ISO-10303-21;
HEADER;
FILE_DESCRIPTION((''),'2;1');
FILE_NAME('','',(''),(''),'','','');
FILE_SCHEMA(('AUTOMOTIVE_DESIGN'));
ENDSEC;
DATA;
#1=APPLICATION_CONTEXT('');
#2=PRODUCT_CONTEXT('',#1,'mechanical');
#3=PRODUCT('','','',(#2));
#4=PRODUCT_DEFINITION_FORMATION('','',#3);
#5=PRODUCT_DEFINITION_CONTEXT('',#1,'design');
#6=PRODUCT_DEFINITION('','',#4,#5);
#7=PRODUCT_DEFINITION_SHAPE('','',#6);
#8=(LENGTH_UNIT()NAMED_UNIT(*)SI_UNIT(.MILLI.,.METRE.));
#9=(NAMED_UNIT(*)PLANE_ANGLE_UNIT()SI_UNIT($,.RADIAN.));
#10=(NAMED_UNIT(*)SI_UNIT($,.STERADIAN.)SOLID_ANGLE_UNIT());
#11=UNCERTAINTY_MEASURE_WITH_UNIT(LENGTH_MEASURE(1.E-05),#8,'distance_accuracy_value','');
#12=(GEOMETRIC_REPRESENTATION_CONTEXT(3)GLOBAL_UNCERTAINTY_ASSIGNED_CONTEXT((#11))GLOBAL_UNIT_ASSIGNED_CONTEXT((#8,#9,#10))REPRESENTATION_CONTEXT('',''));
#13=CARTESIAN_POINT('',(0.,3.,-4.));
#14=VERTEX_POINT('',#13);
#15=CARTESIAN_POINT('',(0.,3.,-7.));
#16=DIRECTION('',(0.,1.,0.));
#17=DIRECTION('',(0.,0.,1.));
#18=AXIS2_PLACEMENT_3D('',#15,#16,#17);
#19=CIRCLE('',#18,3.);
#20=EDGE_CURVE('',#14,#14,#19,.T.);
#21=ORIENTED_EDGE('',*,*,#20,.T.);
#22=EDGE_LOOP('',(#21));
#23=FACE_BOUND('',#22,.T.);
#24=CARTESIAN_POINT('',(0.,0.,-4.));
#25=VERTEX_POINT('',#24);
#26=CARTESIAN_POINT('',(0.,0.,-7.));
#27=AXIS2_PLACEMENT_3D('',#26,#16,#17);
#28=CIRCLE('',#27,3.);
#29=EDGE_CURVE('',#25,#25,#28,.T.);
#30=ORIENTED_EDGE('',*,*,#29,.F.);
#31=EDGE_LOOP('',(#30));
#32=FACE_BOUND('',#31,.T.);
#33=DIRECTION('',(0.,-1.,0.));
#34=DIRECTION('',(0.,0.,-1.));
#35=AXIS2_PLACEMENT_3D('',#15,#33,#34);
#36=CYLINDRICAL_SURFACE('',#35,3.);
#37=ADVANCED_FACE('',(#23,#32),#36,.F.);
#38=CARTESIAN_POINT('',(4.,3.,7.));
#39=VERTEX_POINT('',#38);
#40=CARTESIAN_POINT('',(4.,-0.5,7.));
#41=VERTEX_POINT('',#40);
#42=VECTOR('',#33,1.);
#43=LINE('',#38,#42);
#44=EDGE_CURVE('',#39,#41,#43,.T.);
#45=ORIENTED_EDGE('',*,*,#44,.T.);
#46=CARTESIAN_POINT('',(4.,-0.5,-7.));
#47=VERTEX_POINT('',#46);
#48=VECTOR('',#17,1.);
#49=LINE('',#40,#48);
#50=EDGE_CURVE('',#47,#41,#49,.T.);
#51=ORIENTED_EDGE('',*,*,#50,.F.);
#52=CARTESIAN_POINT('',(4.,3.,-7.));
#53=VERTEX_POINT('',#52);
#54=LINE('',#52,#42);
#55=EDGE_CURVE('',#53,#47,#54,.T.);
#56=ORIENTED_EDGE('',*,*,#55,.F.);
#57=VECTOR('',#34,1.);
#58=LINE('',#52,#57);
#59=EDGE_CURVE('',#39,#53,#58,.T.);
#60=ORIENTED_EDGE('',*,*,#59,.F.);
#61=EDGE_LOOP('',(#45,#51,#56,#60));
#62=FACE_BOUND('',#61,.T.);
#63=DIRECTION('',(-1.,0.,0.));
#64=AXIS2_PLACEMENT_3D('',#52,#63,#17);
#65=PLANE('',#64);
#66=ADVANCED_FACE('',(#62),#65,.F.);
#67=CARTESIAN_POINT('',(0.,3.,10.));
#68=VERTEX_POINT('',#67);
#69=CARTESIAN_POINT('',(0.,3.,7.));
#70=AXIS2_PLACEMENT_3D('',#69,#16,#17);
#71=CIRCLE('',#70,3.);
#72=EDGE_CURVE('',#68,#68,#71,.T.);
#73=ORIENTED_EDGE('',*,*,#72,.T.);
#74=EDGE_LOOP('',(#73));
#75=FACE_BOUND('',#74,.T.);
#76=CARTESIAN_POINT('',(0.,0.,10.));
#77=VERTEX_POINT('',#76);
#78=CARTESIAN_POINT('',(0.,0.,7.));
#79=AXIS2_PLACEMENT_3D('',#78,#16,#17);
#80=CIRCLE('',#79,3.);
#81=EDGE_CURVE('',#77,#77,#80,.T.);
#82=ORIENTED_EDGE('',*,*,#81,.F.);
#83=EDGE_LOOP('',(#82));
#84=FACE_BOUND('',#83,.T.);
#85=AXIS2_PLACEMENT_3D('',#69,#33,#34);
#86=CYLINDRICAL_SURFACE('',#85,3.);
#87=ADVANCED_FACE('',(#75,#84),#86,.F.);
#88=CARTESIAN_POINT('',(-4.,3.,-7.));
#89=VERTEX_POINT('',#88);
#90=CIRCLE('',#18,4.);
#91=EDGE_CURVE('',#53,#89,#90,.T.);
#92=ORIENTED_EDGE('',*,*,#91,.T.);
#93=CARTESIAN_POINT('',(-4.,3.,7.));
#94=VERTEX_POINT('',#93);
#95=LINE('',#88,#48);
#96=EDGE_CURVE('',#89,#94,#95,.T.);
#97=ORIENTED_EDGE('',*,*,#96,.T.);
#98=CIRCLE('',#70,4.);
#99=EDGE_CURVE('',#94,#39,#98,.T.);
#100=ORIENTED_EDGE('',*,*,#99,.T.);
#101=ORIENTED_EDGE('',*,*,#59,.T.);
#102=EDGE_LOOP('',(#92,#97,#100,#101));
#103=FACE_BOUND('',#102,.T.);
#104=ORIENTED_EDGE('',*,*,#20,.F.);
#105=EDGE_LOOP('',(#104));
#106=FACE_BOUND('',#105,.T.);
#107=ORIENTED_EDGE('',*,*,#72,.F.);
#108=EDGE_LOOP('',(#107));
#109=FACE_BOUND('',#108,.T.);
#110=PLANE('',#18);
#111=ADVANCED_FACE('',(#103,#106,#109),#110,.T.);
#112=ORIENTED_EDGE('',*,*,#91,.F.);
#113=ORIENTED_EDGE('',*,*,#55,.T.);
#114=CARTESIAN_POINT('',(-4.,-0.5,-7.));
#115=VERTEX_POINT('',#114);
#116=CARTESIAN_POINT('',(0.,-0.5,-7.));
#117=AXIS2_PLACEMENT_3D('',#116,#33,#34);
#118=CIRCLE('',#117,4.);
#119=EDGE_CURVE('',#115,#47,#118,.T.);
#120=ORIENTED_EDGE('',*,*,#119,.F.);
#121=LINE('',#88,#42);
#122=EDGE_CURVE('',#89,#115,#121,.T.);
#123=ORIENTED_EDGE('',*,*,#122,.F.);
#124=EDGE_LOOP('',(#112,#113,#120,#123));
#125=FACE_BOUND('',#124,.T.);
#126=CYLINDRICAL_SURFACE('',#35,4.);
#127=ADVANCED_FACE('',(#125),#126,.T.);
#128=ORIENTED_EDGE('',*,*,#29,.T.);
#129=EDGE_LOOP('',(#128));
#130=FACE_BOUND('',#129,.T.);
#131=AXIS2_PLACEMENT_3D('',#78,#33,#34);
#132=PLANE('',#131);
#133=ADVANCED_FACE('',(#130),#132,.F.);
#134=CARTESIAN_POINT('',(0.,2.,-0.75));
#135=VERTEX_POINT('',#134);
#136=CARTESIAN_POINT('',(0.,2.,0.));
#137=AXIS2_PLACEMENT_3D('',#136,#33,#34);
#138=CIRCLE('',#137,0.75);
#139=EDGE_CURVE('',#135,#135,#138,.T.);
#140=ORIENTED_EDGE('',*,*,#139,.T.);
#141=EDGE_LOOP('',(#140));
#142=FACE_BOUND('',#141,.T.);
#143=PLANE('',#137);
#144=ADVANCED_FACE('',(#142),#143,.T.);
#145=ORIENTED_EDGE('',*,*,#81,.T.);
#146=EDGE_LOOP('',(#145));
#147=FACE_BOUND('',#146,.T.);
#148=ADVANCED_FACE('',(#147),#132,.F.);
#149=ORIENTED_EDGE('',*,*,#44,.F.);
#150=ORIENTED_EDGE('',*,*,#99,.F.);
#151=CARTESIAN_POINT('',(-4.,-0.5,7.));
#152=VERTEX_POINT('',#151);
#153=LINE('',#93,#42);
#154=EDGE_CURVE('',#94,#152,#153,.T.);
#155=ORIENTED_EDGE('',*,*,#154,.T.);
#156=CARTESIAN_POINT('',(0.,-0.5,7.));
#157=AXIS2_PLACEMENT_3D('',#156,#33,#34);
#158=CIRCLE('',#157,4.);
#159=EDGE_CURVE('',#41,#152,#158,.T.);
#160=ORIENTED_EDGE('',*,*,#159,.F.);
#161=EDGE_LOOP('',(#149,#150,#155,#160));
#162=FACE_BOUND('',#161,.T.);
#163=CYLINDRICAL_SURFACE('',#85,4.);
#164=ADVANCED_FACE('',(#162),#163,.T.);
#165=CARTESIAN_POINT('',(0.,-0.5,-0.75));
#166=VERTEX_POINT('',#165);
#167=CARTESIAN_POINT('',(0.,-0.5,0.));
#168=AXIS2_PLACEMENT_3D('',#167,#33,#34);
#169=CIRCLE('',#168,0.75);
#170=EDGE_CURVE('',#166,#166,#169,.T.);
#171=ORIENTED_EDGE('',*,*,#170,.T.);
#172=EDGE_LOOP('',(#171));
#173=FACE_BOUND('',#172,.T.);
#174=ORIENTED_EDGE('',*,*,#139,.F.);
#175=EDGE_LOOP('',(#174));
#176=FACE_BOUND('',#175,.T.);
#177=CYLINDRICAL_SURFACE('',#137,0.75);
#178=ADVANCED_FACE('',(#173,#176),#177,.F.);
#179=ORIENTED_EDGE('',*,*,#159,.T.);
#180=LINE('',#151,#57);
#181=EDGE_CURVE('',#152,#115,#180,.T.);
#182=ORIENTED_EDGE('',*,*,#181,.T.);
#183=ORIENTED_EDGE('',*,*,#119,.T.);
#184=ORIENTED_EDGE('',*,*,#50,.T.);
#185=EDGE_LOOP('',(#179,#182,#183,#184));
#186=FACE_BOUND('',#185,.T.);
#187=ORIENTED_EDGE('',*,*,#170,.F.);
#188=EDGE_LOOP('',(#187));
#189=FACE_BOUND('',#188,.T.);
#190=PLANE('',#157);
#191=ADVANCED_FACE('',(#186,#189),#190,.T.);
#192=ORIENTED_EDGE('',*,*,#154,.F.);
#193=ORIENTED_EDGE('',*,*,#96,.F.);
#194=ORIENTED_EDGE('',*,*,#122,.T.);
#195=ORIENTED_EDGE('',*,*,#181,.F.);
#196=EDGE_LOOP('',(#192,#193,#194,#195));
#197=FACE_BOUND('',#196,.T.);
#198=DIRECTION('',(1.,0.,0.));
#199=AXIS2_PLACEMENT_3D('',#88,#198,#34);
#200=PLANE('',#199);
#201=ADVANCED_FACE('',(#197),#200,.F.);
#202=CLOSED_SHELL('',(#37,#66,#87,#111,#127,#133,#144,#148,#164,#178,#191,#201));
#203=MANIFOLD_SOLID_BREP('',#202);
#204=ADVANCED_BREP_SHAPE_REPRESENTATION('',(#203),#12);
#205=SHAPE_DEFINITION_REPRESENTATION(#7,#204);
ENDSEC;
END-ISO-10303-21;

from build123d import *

# Parameters (mm, degrees)
SKETCH1_R           = 3
BOSS_EXTRUDE1_DEPTH = 3
BOSS_EXTRUDE2_START = 0.5
BOSS_EXTRUDE2_DEPTH = 0.5
SKETCH3_R           = 0.75
CUT_EXTRUDE1_DEPTH  = 2.5


with BuildPart() as part:
    # Sketch1 → Boss-Extrude1 (new body)
    with BuildSketch(Plane(origin=(0, 0, 0), x_dir=(1, 0, 0), z_dir=(0, 1, 0))):
        with BuildLine():
            Line((4, 7), (4, -7))
            ThreePointArc((4, -7), (0, -11), (-4, -7))
            Line((-4, -7), (-4, 7))
            ThreePointArc((-4, 7), (0, 11), (4, 7))
        make_face()
        with Locations(Location((0, 7, 0), (0, 0, 270))):
            Circle(SKETCH1_R, mode=Mode.SUBTRACT)
        with Locations(Location((0, -7, 0), (0, 0, 270))):
            Circle(SKETCH1_R, mode=Mode.SUBTRACT)
    extrude(amount=BOSS_EXTRUDE1_DEPTH)

    # Sketch2 → Boss-Extrude2 (add)
    with BuildSketch(Plane.XZ.offset(BOSS_EXTRUDE2_START)):
        with BuildLine():
            Line((4, 7), (4, -7))
            ThreePointArc((4, -7), (0, -11), (-4, -7))
            Line((-4, -7), (-4, 7))
            ThreePointArc((-4, 7), (0, 11), (4, 7))
        make_face()
    extrude(amount=-BOSS_EXTRUDE2_DEPTH)

    # Sketch3 → Cut-Extrude1 (cut)
    with BuildSketch(Plane.XZ.offset(0.5)):
        with Locations(Location((0, 0, 0), (0, 0, 270))):
            Circle(SKETCH3_R)
    extrude(amount=-CUT_EXTRUDE1_DEPTH, mode=Mode.SUBTRACT)


solid = part.part
